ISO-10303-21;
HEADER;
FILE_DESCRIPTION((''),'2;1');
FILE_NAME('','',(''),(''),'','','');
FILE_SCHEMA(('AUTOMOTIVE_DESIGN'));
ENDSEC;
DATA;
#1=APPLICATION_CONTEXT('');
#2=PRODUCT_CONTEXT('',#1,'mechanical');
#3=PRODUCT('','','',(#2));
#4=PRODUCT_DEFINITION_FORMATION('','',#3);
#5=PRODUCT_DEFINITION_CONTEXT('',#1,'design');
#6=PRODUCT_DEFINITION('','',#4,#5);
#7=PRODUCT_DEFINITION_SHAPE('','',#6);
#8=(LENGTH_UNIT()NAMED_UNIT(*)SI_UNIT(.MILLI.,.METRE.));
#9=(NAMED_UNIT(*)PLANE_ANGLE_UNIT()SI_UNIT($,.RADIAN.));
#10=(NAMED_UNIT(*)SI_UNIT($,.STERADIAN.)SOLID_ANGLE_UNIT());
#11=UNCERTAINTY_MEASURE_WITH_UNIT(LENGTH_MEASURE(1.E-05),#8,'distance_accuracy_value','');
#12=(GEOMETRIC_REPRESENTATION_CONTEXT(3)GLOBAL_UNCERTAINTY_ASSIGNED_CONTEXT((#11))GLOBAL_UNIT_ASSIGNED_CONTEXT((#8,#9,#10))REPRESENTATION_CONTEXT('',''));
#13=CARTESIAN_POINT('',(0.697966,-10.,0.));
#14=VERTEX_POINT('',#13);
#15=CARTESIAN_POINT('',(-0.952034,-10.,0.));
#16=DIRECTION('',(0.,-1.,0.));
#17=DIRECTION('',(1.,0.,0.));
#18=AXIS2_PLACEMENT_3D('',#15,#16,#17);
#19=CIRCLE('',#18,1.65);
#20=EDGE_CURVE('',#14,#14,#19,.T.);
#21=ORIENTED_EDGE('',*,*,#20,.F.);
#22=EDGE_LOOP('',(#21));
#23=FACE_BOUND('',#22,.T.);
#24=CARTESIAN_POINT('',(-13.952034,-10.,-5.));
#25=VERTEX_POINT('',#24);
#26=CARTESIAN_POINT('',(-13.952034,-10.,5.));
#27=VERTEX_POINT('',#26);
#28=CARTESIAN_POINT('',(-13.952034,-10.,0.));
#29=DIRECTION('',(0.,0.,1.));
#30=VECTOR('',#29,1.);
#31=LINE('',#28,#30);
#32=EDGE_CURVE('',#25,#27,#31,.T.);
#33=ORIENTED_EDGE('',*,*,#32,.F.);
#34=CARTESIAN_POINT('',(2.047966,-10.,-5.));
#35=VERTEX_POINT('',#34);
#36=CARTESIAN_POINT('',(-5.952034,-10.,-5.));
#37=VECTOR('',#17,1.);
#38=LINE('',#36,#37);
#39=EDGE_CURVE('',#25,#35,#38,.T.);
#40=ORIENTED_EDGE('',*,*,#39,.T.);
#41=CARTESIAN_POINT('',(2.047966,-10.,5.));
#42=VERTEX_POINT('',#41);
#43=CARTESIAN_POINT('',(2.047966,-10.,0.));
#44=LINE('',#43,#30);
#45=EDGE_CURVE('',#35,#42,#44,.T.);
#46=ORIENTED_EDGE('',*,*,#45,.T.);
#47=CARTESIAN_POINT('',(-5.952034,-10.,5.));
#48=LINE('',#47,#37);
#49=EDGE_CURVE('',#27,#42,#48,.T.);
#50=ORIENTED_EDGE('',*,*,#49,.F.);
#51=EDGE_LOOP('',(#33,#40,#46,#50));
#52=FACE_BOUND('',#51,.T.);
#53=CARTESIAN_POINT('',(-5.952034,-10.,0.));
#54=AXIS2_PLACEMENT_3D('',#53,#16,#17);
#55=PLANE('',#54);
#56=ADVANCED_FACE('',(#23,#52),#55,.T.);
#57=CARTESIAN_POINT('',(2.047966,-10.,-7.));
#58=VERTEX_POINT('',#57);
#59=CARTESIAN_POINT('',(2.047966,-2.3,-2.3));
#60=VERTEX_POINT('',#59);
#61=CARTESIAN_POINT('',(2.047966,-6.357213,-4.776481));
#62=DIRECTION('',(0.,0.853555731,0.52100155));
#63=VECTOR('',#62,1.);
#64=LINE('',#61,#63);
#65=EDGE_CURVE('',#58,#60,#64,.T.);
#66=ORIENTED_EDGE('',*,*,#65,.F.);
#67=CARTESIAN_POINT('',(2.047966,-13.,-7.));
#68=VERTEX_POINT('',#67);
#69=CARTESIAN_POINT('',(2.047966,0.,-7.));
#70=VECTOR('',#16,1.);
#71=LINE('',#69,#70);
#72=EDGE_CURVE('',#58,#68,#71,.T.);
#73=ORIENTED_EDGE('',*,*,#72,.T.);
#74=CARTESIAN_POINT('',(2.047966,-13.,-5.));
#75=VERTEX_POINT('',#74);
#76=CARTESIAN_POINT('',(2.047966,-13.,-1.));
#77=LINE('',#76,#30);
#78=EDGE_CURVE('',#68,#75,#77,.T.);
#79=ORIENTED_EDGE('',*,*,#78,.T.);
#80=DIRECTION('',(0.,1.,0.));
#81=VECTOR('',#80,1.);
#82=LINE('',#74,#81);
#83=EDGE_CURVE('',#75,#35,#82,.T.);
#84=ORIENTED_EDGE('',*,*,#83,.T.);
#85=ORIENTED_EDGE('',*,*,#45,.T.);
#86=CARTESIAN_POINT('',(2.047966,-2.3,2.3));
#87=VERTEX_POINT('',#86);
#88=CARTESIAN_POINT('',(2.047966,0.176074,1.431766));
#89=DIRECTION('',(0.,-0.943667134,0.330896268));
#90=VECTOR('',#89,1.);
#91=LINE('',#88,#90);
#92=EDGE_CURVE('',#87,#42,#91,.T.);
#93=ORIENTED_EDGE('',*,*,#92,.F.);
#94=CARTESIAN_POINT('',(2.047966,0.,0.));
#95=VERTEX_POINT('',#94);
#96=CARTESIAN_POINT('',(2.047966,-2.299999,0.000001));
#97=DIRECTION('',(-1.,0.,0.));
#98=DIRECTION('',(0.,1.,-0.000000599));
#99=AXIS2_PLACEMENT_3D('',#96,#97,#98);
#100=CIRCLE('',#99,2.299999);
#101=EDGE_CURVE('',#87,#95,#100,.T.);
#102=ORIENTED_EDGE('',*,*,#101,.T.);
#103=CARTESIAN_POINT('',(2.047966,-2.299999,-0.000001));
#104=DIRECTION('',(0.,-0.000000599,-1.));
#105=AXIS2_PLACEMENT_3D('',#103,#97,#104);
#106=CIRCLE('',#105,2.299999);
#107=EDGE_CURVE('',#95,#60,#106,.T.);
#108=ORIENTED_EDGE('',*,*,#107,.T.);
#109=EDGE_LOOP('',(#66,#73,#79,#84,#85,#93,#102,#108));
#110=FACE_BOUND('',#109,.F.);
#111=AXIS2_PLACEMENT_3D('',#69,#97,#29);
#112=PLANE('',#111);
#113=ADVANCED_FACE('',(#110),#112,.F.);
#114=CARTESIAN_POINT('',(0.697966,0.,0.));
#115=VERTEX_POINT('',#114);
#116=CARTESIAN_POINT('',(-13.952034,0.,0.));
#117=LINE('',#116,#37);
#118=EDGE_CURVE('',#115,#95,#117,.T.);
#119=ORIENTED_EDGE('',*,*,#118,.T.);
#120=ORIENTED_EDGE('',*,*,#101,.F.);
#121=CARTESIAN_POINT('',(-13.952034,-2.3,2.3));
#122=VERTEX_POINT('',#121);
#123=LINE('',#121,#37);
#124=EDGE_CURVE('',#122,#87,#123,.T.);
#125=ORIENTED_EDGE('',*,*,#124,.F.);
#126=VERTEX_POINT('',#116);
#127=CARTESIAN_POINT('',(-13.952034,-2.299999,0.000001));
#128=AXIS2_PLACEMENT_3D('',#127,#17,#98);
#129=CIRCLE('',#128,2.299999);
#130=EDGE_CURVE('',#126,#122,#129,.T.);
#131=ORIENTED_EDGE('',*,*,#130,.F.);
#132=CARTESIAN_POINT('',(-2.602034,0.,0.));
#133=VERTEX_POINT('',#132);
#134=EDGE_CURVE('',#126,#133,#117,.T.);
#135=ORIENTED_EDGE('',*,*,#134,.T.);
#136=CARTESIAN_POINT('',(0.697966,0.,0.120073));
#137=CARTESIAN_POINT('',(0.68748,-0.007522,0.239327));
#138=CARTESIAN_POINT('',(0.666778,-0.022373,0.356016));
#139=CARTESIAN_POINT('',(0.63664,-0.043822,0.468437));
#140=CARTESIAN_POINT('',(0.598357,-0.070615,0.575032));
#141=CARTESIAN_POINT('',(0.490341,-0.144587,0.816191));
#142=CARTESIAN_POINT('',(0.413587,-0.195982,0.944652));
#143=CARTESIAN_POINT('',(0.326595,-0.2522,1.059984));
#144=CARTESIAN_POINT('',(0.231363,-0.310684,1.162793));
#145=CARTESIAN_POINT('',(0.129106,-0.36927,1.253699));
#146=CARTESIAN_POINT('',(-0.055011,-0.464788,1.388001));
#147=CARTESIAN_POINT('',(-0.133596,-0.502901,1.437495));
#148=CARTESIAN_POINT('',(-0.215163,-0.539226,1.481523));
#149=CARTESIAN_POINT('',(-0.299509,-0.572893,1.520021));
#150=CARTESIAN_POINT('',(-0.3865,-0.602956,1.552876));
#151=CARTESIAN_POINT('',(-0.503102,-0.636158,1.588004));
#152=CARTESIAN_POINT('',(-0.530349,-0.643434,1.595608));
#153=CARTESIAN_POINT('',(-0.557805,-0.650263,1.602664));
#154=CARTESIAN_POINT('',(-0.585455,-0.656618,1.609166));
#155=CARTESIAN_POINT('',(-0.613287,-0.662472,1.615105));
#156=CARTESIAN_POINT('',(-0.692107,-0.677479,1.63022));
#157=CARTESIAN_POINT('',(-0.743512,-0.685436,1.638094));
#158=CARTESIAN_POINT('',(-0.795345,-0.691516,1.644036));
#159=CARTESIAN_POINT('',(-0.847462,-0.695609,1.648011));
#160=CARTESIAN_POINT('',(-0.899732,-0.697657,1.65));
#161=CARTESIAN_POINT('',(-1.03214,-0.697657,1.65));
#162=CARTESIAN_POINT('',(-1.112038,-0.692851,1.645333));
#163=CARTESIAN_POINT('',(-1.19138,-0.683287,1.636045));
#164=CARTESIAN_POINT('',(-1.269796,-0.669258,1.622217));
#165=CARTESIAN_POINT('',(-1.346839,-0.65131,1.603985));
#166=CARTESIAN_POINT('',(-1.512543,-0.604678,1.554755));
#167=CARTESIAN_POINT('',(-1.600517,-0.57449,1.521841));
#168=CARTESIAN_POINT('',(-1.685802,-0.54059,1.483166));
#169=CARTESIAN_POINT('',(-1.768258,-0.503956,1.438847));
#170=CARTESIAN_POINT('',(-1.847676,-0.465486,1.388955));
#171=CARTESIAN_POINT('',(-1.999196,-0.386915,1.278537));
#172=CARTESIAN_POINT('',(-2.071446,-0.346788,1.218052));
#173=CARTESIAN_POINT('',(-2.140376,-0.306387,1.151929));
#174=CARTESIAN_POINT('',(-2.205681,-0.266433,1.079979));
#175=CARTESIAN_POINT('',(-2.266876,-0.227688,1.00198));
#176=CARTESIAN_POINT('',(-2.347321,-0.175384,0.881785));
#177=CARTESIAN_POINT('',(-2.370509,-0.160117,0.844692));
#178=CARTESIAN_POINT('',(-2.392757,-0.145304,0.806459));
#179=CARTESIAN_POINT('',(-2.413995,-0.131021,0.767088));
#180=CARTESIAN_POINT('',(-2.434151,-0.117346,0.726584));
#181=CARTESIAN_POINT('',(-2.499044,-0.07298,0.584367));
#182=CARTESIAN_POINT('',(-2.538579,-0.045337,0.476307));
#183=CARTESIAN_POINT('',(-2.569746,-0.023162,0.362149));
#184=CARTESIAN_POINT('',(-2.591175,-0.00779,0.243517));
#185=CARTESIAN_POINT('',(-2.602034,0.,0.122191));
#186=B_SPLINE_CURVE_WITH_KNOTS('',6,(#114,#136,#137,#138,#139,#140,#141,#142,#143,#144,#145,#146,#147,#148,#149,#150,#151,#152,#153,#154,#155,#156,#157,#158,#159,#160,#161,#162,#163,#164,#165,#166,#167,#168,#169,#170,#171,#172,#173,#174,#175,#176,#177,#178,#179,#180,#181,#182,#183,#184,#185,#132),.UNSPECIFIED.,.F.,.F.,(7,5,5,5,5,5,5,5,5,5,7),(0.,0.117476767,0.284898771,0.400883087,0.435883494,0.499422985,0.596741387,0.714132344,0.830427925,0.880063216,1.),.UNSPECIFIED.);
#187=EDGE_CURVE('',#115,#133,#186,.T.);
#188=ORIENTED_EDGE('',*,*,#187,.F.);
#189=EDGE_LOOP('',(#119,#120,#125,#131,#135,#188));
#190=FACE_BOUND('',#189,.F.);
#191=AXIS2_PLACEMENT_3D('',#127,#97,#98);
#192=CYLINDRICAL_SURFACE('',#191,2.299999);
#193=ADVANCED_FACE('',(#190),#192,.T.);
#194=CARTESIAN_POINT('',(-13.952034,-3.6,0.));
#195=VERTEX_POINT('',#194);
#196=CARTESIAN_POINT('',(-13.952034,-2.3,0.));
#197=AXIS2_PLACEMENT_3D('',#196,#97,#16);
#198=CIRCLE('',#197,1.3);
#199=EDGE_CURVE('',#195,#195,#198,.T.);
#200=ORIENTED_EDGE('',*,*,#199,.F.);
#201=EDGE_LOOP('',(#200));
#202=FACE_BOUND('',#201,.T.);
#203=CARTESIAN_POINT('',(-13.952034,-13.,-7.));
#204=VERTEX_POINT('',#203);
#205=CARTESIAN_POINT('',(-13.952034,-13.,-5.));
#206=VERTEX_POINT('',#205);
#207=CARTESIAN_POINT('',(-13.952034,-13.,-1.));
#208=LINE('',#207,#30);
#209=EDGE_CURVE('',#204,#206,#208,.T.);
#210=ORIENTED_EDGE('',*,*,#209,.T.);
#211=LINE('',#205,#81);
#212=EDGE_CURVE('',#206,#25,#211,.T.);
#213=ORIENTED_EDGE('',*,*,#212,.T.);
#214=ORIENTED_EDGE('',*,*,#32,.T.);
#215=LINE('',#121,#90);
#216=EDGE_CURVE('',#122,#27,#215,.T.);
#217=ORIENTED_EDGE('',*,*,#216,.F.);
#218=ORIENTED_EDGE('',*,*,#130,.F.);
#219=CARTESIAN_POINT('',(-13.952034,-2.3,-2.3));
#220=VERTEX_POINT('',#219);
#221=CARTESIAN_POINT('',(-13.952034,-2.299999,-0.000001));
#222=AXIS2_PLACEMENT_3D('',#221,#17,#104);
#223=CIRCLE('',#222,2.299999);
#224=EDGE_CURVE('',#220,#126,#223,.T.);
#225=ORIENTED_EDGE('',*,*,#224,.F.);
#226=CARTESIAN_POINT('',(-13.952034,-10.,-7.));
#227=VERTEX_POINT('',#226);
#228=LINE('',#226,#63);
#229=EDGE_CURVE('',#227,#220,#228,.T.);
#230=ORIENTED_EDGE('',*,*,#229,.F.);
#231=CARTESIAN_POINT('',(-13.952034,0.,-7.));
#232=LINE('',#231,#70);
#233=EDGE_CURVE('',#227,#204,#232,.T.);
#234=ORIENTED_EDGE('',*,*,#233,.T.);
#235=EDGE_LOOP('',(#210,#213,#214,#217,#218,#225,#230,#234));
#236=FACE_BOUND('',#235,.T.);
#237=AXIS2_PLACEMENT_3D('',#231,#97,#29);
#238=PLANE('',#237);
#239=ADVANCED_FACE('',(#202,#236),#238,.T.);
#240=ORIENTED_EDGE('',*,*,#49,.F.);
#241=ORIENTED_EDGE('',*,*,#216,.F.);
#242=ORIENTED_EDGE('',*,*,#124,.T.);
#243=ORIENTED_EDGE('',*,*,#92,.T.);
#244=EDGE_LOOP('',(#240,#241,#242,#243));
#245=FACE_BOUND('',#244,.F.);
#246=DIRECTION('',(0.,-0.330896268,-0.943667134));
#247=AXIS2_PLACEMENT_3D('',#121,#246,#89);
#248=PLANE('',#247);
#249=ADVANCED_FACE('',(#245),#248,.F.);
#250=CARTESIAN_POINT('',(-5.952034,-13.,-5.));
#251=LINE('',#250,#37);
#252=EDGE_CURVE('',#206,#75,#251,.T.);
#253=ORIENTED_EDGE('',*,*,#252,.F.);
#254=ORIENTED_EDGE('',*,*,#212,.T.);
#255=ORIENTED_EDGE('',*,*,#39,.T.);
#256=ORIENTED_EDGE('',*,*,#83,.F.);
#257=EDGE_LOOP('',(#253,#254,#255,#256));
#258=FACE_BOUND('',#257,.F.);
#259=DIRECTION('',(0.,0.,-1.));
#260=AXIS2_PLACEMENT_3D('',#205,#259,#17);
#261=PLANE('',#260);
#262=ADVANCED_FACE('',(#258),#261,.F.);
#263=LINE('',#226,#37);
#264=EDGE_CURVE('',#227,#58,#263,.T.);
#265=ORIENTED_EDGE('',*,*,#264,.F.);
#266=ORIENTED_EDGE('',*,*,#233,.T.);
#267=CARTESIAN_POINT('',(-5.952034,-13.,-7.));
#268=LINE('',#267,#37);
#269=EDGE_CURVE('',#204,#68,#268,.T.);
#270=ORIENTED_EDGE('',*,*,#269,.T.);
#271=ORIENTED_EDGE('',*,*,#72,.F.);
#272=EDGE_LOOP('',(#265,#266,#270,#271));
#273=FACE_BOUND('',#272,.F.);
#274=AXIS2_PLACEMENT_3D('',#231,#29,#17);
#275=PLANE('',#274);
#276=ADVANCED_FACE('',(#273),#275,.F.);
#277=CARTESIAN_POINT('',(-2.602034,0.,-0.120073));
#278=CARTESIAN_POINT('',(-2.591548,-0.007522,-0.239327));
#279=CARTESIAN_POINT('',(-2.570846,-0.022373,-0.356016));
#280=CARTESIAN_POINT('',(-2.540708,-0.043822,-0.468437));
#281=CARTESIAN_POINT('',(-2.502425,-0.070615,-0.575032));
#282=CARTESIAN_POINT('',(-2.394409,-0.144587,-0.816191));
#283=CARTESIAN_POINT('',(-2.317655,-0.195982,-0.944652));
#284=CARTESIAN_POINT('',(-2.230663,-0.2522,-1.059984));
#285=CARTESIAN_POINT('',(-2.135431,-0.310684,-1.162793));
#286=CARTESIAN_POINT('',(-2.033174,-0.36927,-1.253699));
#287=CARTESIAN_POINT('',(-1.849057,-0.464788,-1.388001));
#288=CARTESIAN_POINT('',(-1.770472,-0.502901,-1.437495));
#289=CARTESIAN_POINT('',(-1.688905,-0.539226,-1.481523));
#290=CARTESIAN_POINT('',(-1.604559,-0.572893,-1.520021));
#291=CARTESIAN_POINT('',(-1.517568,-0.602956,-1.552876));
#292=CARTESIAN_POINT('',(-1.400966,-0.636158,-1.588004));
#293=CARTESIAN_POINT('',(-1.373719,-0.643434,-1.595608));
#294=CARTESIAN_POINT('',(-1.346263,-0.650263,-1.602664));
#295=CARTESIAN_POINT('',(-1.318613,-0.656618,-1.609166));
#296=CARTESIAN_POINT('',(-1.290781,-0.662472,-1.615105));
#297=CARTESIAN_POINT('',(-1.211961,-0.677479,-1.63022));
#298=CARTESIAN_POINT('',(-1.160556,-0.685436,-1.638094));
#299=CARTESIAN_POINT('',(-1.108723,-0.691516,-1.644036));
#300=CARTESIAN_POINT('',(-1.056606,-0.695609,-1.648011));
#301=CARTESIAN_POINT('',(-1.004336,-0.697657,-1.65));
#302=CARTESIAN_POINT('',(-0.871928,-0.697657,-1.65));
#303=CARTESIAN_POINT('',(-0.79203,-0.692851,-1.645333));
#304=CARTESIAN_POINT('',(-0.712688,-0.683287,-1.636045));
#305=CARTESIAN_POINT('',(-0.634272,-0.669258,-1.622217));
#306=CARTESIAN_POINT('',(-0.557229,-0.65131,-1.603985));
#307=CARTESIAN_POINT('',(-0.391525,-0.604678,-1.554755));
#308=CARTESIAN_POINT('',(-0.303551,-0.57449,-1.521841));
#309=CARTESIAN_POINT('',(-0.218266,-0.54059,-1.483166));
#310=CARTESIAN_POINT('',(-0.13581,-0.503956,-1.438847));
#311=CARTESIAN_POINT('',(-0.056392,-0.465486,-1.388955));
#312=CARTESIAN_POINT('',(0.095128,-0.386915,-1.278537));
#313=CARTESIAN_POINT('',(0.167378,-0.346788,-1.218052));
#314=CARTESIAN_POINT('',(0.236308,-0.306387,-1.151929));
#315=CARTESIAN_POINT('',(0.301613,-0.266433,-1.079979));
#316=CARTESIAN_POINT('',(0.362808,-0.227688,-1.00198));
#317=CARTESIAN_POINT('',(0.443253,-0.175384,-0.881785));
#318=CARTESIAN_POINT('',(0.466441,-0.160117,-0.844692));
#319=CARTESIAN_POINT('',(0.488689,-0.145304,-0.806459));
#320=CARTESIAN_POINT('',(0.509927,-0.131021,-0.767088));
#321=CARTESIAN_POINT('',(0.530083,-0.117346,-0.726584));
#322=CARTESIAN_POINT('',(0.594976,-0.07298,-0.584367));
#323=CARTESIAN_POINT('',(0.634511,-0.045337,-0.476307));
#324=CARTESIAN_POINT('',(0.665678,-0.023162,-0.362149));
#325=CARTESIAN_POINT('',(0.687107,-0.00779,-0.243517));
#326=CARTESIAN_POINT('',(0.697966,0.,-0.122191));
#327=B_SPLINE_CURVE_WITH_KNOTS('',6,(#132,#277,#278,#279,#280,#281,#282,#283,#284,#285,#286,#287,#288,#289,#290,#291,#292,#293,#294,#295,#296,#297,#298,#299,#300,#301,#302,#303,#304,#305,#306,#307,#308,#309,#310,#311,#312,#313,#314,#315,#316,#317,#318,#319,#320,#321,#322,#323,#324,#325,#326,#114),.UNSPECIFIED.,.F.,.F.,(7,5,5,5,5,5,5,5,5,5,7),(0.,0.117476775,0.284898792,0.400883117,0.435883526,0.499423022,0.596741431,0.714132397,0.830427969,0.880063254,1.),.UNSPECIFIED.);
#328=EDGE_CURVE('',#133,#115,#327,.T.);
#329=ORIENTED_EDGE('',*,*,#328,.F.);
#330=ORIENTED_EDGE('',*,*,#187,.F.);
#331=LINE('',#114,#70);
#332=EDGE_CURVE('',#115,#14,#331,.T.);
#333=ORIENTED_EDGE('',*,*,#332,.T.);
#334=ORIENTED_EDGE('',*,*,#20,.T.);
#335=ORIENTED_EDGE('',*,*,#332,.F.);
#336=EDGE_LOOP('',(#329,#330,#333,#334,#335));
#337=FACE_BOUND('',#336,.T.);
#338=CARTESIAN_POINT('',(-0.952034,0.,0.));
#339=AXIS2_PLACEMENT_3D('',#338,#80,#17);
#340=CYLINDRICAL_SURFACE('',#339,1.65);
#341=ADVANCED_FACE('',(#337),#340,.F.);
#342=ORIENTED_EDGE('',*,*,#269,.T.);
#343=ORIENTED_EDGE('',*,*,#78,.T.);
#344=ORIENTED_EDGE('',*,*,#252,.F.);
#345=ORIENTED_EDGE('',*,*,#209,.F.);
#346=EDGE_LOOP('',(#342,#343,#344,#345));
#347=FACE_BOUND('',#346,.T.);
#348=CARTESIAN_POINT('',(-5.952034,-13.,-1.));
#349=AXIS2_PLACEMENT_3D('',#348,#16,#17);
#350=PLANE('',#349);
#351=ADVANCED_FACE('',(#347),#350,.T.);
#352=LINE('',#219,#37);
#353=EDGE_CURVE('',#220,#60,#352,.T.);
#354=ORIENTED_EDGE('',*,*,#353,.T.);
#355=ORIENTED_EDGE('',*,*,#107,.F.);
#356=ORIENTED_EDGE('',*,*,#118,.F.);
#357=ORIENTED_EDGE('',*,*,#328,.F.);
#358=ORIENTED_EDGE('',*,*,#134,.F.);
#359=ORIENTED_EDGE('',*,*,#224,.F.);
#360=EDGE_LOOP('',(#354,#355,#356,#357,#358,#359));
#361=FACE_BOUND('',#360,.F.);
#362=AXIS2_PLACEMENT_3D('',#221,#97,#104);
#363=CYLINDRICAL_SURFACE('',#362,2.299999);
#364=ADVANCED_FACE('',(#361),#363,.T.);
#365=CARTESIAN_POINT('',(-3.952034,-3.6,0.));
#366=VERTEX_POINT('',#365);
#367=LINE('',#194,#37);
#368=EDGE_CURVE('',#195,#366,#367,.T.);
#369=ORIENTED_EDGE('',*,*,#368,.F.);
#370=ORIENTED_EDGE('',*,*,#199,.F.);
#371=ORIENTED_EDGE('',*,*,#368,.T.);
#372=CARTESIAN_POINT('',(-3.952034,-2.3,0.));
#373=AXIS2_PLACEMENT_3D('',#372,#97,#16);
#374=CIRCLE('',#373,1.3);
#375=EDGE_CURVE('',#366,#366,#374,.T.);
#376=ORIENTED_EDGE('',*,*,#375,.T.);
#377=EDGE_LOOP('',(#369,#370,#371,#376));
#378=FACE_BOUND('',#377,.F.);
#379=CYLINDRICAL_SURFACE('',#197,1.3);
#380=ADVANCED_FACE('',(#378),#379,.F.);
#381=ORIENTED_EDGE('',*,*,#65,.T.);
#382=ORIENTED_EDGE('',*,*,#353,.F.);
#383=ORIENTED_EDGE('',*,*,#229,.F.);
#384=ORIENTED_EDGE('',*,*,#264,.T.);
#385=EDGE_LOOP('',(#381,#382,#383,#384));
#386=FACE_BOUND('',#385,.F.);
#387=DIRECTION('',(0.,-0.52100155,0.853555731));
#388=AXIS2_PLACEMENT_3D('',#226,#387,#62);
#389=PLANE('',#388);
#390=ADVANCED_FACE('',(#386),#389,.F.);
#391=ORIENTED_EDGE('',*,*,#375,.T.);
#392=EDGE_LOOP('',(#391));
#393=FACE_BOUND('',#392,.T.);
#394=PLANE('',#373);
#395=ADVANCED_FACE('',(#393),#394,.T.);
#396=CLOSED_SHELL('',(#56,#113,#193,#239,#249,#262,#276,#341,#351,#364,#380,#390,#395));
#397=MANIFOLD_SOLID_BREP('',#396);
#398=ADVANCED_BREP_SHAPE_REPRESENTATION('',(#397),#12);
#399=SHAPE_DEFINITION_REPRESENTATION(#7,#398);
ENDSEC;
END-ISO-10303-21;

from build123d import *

# Parameters (mm, degrees)
F0_W     = 16
F0_H     = 12
F0_R     = 1.65
F1_DEPTH = 13
F2_W     = 16
F2_H     = 10
F2_R     = 1.65
F3_DEPTH = 3
F5_DEPTH = 16.001
F6_R     = 1.3
F7_DEPTH = 10


with BuildPart() as f1:
    # F0 (on Front) → F1 (new body)
    with BuildSketch(Plane.XZ):
        with Locations((-5.952034, -1)):
            Rectangle(F0_W, F0_H)
        with Locations((-0.952034, 0)):
            Circle(F0_R, mode=Mode.SUBTRACT)
    extrude(amount=F1_DEPTH)

    # F2 (on face) → F3 (cut)
    with BuildSketch(Plane.XZ.offset(13)):
        with Locations((-5.952034, 0)):
            Rectangle(F2_W, F2_H)
        with Locations((-0.952034, 0)):
            Circle(F2_R, mode=Mode.SUBTRACT)
    extrude(amount=-F3_DEPTH, mode=Mode.SUBTRACT)

    # F4 (on face) → F5 (cut, through all)
    with BuildSketch(Plane(origin=(-13.952034, 0, 0), x_dir=(0, -1, 0), z_dir=(-1, 0, 0))):
        with BuildLine():
            ThreePointArc((0, 0), (0.673654, 1.626346), (2.3, 2.3))
            Line((2.3, 2.3), (10, 5))
            Line((10, 5), (0, 5))
            Line((0, 5), (0, 0))
        make_face()
        with BuildLine():
            Line((10, -7), (2.3, -2.3))
            ThreePointArc((2.3, -2.3), (0.673654, -1.626346), (0, 0))
            Line((0, 0), (0, -7))
            Line((0, -7), (10, -7))
        make_face()
    extrude(amount=-F5_DEPTH, mode=Mode.SUBTRACT)

    # F6 (on face) → F7 (cut)
    with BuildSketch(Plane(origin=(-13.952034, 0, 0), x_dir=(0, -1, 0), z_dir=(-1, 0, 0))):
        with Locations((2.3, 0)):
            Circle(F6_R)
    extrude(amount=-F7_DEPTH, mode=Mode.SUBTRACT)


solid = f1.part
